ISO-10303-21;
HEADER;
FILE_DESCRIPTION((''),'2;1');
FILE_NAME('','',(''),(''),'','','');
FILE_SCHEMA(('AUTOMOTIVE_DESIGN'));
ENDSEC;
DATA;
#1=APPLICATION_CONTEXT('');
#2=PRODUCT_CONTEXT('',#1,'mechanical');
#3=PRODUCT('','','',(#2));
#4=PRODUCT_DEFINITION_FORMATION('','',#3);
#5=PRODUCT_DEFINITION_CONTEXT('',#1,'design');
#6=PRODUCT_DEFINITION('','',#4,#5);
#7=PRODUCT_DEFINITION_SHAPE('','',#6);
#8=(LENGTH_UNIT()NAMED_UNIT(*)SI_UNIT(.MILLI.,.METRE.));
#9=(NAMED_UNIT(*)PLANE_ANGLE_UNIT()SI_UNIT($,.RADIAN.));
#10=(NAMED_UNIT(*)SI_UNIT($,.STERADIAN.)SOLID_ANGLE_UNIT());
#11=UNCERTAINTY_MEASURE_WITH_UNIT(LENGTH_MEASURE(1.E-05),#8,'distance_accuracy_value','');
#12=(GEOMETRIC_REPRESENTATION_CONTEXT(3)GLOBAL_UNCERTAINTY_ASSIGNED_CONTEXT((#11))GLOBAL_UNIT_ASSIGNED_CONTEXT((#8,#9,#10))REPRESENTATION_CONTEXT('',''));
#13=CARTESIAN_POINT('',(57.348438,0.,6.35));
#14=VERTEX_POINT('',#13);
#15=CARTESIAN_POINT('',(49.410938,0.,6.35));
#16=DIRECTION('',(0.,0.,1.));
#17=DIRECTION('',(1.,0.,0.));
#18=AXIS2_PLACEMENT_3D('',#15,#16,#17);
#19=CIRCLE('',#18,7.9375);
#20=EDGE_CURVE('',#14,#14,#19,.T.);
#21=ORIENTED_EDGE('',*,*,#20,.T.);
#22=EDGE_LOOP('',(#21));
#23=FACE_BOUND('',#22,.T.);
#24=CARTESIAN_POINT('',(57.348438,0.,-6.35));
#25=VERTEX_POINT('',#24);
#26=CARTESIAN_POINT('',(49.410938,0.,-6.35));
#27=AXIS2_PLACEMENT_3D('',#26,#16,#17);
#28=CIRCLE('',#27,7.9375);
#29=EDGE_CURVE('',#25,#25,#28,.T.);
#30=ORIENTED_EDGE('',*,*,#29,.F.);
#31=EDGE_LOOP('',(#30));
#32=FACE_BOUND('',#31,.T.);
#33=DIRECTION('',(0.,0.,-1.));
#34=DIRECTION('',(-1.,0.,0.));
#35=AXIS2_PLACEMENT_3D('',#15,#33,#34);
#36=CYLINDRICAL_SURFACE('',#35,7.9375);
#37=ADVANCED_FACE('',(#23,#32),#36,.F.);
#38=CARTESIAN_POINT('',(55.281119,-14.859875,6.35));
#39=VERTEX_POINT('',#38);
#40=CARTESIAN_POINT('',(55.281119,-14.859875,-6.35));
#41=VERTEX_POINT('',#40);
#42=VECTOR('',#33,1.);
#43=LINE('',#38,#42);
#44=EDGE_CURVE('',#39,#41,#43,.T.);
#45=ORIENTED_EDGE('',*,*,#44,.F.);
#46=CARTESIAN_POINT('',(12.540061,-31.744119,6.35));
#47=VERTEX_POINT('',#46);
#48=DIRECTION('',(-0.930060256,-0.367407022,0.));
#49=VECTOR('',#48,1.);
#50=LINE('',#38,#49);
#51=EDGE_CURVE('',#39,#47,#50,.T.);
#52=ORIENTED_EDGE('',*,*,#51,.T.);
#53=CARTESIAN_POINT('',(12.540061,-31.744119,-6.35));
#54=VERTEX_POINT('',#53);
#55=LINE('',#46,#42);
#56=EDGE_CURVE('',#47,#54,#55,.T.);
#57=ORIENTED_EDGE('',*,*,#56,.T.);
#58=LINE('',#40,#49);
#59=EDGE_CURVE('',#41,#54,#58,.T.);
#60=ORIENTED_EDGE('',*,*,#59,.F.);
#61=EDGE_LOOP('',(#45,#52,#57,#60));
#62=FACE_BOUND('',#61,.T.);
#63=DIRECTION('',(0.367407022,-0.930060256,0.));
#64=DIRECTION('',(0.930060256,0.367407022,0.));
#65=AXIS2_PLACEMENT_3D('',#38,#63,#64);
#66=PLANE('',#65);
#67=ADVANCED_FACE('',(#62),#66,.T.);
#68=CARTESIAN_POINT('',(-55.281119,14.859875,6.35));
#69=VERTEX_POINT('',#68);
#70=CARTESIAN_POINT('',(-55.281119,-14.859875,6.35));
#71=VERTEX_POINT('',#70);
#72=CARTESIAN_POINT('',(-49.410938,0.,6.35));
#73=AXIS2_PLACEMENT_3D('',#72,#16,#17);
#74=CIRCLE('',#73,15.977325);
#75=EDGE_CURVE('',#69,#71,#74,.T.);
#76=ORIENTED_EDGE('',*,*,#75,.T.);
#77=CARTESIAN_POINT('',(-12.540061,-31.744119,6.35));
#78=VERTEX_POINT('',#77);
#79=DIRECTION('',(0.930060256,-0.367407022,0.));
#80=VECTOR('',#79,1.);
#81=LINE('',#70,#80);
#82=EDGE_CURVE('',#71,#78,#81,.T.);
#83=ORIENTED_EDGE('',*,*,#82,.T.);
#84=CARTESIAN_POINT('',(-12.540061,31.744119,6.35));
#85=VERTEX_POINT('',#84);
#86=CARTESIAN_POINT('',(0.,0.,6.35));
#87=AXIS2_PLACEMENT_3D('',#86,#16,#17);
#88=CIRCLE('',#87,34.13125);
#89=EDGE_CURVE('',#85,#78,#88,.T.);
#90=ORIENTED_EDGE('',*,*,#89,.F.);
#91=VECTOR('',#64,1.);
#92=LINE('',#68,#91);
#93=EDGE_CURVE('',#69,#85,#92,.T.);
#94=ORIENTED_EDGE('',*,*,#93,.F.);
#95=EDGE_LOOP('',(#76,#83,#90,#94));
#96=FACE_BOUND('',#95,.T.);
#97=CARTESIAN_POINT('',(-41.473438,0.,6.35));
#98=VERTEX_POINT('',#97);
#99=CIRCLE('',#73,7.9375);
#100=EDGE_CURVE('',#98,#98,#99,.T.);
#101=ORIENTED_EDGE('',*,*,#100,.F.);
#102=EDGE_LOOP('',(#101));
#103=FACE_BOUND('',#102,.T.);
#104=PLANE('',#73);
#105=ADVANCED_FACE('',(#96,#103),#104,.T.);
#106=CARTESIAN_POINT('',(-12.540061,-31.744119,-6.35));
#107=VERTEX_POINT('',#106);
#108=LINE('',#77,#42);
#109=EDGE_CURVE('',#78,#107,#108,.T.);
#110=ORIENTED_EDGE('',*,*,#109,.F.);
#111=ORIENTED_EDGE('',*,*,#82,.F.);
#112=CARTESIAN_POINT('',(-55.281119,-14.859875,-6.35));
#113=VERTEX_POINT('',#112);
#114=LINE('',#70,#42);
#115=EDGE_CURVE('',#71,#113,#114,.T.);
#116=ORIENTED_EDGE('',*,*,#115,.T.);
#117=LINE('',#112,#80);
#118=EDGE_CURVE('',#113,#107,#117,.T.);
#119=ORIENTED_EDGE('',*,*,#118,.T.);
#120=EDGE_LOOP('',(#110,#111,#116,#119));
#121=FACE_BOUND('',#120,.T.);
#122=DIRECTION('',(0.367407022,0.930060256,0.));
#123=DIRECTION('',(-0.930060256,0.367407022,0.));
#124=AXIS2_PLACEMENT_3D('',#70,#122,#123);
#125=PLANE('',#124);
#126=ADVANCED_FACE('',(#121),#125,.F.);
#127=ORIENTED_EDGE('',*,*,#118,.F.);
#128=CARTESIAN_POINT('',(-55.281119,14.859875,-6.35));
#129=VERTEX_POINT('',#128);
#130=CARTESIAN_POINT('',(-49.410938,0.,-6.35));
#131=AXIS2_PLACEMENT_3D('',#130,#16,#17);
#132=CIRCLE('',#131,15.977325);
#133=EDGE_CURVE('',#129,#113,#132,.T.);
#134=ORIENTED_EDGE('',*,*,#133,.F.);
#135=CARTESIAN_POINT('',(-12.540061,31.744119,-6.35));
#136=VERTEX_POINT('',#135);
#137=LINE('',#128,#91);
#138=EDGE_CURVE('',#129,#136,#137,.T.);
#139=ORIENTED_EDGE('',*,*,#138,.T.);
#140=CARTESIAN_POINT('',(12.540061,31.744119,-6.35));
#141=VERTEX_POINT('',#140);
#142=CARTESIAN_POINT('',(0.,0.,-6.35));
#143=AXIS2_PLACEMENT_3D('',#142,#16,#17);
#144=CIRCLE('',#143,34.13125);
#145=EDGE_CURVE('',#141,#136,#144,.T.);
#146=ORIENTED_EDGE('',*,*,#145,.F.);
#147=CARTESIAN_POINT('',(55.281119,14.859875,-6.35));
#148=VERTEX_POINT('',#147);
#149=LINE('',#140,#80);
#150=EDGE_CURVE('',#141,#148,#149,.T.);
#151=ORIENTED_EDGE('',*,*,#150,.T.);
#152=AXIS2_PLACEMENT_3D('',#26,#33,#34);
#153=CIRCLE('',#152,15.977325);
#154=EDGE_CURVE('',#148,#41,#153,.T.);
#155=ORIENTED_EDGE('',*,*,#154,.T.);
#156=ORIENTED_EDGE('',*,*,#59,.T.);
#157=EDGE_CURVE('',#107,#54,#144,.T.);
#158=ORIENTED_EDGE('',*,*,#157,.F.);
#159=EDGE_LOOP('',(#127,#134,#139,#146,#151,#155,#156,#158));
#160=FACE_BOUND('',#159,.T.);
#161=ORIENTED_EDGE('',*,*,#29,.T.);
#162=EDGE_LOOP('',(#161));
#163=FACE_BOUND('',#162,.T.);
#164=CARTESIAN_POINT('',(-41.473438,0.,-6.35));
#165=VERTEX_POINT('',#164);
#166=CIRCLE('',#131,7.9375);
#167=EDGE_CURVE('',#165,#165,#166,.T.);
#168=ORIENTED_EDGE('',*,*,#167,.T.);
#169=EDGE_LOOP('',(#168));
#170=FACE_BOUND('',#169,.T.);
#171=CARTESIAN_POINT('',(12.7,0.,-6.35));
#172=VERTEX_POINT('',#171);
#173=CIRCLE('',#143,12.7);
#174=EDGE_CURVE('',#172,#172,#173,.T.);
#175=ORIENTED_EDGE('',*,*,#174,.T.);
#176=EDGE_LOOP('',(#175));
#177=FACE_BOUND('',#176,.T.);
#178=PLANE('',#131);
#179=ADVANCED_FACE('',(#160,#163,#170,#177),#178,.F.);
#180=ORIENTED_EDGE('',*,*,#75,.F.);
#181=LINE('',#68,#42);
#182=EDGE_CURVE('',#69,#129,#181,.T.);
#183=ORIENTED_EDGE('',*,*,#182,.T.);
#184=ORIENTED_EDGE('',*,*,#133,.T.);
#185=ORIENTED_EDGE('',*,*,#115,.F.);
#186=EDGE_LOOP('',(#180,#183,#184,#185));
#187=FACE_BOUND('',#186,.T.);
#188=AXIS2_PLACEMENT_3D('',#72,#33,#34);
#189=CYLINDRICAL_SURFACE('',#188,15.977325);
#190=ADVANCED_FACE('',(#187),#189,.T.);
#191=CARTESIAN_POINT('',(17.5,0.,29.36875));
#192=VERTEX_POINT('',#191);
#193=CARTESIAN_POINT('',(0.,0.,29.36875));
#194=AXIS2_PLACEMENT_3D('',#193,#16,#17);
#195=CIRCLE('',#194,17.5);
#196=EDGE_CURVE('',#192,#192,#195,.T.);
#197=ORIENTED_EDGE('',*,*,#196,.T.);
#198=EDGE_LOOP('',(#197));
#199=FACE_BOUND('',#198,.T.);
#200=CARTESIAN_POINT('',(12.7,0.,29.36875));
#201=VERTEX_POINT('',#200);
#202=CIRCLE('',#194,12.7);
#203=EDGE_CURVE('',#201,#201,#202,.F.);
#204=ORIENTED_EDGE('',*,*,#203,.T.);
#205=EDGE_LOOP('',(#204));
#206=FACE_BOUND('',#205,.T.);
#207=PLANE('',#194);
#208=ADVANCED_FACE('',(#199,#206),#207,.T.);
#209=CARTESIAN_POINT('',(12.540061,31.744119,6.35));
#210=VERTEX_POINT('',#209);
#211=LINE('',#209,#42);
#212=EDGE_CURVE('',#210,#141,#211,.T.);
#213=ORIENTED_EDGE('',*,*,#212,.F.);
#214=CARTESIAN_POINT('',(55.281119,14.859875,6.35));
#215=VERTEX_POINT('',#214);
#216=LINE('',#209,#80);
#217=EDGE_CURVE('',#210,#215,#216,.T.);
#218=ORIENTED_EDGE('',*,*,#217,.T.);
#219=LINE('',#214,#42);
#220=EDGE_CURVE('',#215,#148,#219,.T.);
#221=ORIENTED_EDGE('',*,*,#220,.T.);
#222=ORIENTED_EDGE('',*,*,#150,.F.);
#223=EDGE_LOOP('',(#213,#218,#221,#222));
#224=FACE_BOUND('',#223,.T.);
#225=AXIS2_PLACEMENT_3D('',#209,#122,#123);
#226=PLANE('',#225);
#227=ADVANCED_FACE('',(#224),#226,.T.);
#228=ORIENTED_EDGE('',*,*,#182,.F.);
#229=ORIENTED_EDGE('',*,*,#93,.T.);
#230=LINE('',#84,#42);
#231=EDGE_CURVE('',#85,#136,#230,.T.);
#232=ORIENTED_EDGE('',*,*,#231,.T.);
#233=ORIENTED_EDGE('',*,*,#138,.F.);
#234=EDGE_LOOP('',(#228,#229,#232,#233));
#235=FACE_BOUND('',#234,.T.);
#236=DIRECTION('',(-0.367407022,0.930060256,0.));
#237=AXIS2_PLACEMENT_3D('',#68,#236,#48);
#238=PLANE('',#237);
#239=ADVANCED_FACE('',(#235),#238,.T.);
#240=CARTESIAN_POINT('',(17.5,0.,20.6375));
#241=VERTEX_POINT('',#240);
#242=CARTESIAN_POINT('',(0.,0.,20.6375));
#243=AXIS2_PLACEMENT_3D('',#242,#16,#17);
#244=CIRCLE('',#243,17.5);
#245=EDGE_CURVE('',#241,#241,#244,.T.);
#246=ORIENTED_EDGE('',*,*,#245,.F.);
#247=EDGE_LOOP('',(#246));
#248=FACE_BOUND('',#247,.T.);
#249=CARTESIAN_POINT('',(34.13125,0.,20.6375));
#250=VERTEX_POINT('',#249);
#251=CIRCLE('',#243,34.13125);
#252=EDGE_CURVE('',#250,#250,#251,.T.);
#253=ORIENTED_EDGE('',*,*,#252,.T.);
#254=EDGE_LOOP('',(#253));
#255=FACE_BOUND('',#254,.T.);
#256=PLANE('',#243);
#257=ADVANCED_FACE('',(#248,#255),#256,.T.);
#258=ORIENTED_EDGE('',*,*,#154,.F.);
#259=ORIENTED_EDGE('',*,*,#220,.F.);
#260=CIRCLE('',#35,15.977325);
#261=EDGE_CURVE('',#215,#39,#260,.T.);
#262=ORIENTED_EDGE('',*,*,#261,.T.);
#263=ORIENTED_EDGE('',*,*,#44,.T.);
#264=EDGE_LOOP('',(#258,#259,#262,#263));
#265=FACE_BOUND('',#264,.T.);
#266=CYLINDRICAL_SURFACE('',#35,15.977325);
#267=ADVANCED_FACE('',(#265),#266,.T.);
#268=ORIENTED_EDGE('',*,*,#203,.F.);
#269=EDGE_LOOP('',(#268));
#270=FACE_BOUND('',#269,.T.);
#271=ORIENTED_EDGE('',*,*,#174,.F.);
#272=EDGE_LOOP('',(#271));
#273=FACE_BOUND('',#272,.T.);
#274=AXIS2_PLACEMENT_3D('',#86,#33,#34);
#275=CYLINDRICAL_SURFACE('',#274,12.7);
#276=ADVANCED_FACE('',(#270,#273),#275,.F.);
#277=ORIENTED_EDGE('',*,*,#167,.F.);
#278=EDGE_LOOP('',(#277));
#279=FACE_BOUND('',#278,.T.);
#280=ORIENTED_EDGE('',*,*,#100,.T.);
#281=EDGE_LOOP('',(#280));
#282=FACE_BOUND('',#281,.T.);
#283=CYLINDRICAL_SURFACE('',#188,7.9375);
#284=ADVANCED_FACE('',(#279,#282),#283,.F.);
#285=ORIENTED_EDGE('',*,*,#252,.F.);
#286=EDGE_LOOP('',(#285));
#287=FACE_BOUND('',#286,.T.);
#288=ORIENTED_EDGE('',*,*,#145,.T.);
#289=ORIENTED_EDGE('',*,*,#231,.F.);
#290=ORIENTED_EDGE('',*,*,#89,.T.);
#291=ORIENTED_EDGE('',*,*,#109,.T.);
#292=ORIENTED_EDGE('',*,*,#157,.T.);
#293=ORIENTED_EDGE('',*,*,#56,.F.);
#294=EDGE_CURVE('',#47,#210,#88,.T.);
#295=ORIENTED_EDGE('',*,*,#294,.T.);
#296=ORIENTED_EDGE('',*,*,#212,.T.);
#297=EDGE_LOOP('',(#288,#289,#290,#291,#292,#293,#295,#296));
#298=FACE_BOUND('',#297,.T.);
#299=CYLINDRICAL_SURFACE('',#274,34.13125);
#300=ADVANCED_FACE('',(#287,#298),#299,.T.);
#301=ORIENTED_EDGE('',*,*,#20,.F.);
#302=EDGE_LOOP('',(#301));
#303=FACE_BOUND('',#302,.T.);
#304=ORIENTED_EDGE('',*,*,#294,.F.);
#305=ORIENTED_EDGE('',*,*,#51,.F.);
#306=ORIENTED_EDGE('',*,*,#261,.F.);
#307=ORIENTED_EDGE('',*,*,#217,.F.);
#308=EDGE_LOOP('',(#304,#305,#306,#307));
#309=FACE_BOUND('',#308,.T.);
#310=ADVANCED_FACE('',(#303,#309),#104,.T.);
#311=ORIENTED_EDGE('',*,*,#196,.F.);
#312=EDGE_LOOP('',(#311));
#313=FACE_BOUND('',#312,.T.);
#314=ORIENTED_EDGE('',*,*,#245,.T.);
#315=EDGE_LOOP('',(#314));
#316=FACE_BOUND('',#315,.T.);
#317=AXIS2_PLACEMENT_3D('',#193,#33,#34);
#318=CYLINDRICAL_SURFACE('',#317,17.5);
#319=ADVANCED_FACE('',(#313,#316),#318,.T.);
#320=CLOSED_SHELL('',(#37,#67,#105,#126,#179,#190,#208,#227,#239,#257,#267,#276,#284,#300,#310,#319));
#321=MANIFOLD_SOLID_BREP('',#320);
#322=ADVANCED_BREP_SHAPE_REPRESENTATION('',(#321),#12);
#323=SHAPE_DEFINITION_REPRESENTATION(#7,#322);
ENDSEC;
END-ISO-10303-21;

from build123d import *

# Parameters (mm, degrees)
SKETCH2_R           = 7.9375
SKETCH2_R_2         = 12.7
BOSS_EXTRUDE1_DEPTH = 6.35
BOSS_EXTRUDE2_START = 14.2875
SKETCH3_R           = 12.7
BOSS_EXTRUDE2_DEPTH = 14.2875
SKETCH4_R           = 17.5
SKETCH4_R_2         = 12.7
BOSS_EXTRUDE3_DEPTH = 8.73125


with BuildPart() as part:
    # Sketch2 → Boss-Extrude1 (new, symmetric)
    with BuildSketch(Plane.XY):
        with BuildLine():
            Line((-12.540060904, 31.744119126), (-55.281118751, 14.859874633))
            ThreePointArc((-55.281118751, 14.859874633), (-65.388262121, 0), (-55.281118751, -14.859874633))
            Line((-55.281118751, -14.859874633), (-12.540060904, -31.744119126))
            ThreePointArc((-12.540060904, -31.744119126), (0, -34.13125), (12.540060904, -31.744119126))
            Line((12.540060904, -31.744119126), (55.281118751, -14.859874633))
            ThreePointArc((55.281118751, -14.859874633), (65.388262121, 0), (55.281118751, 14.859874633))
            Line((55.281118751, 14.859874633), (12.540060904, 31.744119126))
            ThreePointArc((12.540060904, 31.744119126), (0, 34.13125), (-12.540060904, 31.744119126))
        make_face()
        with Locations((-49.4109375, 0)):
            Circle(SKETCH2_R, mode=Mode.SUBTRACT)
        Circle(SKETCH2_R_2, mode=Mode.SUBTRACT)
        with Locations((49.4109375, 0)):
            Circle(SKETCH2_R, mode=Mode.SUBTRACT)
    extrude(amount=BOSS_EXTRUDE1_DEPTH, both=True)

    # Sketch3 → Boss-Extrude2 (add)
    with BuildSketch(Plane.XY.offset(6.35).offset(BOSS_EXTRUDE2_START)):
        with BuildLine():
            ThreePointArc((-12.540060904, 31.744119126), (-19.195497816, -28.221890265), (34.13125, 0))
            ThreePointArc((34.13125, 0), (28.221890265, 19.195497816), (12.540060904, 31.744119126))
            ThreePointArc((12.540060904, 31.744119126), (0, 34.13125), (-12.540060904, 31.744119126))
        make_face()
        Circle(SKETCH3_R, mode=Mode.SUBTRACT)
    extrude(amount=-BOSS_EXTRUDE2_DEPTH)

    # Sketch4 → Boss-Extrude3 (add)
    with BuildSketch(Plane.XY.offset(20.6375)):
        Circle(SKETCH4_R)
        Circle(SKETCH4_R_2, mode=Mode.SUBTRACT)
    extrude(amount=BOSS_EXTRUDE3_DEPTH)


solid = part.part
